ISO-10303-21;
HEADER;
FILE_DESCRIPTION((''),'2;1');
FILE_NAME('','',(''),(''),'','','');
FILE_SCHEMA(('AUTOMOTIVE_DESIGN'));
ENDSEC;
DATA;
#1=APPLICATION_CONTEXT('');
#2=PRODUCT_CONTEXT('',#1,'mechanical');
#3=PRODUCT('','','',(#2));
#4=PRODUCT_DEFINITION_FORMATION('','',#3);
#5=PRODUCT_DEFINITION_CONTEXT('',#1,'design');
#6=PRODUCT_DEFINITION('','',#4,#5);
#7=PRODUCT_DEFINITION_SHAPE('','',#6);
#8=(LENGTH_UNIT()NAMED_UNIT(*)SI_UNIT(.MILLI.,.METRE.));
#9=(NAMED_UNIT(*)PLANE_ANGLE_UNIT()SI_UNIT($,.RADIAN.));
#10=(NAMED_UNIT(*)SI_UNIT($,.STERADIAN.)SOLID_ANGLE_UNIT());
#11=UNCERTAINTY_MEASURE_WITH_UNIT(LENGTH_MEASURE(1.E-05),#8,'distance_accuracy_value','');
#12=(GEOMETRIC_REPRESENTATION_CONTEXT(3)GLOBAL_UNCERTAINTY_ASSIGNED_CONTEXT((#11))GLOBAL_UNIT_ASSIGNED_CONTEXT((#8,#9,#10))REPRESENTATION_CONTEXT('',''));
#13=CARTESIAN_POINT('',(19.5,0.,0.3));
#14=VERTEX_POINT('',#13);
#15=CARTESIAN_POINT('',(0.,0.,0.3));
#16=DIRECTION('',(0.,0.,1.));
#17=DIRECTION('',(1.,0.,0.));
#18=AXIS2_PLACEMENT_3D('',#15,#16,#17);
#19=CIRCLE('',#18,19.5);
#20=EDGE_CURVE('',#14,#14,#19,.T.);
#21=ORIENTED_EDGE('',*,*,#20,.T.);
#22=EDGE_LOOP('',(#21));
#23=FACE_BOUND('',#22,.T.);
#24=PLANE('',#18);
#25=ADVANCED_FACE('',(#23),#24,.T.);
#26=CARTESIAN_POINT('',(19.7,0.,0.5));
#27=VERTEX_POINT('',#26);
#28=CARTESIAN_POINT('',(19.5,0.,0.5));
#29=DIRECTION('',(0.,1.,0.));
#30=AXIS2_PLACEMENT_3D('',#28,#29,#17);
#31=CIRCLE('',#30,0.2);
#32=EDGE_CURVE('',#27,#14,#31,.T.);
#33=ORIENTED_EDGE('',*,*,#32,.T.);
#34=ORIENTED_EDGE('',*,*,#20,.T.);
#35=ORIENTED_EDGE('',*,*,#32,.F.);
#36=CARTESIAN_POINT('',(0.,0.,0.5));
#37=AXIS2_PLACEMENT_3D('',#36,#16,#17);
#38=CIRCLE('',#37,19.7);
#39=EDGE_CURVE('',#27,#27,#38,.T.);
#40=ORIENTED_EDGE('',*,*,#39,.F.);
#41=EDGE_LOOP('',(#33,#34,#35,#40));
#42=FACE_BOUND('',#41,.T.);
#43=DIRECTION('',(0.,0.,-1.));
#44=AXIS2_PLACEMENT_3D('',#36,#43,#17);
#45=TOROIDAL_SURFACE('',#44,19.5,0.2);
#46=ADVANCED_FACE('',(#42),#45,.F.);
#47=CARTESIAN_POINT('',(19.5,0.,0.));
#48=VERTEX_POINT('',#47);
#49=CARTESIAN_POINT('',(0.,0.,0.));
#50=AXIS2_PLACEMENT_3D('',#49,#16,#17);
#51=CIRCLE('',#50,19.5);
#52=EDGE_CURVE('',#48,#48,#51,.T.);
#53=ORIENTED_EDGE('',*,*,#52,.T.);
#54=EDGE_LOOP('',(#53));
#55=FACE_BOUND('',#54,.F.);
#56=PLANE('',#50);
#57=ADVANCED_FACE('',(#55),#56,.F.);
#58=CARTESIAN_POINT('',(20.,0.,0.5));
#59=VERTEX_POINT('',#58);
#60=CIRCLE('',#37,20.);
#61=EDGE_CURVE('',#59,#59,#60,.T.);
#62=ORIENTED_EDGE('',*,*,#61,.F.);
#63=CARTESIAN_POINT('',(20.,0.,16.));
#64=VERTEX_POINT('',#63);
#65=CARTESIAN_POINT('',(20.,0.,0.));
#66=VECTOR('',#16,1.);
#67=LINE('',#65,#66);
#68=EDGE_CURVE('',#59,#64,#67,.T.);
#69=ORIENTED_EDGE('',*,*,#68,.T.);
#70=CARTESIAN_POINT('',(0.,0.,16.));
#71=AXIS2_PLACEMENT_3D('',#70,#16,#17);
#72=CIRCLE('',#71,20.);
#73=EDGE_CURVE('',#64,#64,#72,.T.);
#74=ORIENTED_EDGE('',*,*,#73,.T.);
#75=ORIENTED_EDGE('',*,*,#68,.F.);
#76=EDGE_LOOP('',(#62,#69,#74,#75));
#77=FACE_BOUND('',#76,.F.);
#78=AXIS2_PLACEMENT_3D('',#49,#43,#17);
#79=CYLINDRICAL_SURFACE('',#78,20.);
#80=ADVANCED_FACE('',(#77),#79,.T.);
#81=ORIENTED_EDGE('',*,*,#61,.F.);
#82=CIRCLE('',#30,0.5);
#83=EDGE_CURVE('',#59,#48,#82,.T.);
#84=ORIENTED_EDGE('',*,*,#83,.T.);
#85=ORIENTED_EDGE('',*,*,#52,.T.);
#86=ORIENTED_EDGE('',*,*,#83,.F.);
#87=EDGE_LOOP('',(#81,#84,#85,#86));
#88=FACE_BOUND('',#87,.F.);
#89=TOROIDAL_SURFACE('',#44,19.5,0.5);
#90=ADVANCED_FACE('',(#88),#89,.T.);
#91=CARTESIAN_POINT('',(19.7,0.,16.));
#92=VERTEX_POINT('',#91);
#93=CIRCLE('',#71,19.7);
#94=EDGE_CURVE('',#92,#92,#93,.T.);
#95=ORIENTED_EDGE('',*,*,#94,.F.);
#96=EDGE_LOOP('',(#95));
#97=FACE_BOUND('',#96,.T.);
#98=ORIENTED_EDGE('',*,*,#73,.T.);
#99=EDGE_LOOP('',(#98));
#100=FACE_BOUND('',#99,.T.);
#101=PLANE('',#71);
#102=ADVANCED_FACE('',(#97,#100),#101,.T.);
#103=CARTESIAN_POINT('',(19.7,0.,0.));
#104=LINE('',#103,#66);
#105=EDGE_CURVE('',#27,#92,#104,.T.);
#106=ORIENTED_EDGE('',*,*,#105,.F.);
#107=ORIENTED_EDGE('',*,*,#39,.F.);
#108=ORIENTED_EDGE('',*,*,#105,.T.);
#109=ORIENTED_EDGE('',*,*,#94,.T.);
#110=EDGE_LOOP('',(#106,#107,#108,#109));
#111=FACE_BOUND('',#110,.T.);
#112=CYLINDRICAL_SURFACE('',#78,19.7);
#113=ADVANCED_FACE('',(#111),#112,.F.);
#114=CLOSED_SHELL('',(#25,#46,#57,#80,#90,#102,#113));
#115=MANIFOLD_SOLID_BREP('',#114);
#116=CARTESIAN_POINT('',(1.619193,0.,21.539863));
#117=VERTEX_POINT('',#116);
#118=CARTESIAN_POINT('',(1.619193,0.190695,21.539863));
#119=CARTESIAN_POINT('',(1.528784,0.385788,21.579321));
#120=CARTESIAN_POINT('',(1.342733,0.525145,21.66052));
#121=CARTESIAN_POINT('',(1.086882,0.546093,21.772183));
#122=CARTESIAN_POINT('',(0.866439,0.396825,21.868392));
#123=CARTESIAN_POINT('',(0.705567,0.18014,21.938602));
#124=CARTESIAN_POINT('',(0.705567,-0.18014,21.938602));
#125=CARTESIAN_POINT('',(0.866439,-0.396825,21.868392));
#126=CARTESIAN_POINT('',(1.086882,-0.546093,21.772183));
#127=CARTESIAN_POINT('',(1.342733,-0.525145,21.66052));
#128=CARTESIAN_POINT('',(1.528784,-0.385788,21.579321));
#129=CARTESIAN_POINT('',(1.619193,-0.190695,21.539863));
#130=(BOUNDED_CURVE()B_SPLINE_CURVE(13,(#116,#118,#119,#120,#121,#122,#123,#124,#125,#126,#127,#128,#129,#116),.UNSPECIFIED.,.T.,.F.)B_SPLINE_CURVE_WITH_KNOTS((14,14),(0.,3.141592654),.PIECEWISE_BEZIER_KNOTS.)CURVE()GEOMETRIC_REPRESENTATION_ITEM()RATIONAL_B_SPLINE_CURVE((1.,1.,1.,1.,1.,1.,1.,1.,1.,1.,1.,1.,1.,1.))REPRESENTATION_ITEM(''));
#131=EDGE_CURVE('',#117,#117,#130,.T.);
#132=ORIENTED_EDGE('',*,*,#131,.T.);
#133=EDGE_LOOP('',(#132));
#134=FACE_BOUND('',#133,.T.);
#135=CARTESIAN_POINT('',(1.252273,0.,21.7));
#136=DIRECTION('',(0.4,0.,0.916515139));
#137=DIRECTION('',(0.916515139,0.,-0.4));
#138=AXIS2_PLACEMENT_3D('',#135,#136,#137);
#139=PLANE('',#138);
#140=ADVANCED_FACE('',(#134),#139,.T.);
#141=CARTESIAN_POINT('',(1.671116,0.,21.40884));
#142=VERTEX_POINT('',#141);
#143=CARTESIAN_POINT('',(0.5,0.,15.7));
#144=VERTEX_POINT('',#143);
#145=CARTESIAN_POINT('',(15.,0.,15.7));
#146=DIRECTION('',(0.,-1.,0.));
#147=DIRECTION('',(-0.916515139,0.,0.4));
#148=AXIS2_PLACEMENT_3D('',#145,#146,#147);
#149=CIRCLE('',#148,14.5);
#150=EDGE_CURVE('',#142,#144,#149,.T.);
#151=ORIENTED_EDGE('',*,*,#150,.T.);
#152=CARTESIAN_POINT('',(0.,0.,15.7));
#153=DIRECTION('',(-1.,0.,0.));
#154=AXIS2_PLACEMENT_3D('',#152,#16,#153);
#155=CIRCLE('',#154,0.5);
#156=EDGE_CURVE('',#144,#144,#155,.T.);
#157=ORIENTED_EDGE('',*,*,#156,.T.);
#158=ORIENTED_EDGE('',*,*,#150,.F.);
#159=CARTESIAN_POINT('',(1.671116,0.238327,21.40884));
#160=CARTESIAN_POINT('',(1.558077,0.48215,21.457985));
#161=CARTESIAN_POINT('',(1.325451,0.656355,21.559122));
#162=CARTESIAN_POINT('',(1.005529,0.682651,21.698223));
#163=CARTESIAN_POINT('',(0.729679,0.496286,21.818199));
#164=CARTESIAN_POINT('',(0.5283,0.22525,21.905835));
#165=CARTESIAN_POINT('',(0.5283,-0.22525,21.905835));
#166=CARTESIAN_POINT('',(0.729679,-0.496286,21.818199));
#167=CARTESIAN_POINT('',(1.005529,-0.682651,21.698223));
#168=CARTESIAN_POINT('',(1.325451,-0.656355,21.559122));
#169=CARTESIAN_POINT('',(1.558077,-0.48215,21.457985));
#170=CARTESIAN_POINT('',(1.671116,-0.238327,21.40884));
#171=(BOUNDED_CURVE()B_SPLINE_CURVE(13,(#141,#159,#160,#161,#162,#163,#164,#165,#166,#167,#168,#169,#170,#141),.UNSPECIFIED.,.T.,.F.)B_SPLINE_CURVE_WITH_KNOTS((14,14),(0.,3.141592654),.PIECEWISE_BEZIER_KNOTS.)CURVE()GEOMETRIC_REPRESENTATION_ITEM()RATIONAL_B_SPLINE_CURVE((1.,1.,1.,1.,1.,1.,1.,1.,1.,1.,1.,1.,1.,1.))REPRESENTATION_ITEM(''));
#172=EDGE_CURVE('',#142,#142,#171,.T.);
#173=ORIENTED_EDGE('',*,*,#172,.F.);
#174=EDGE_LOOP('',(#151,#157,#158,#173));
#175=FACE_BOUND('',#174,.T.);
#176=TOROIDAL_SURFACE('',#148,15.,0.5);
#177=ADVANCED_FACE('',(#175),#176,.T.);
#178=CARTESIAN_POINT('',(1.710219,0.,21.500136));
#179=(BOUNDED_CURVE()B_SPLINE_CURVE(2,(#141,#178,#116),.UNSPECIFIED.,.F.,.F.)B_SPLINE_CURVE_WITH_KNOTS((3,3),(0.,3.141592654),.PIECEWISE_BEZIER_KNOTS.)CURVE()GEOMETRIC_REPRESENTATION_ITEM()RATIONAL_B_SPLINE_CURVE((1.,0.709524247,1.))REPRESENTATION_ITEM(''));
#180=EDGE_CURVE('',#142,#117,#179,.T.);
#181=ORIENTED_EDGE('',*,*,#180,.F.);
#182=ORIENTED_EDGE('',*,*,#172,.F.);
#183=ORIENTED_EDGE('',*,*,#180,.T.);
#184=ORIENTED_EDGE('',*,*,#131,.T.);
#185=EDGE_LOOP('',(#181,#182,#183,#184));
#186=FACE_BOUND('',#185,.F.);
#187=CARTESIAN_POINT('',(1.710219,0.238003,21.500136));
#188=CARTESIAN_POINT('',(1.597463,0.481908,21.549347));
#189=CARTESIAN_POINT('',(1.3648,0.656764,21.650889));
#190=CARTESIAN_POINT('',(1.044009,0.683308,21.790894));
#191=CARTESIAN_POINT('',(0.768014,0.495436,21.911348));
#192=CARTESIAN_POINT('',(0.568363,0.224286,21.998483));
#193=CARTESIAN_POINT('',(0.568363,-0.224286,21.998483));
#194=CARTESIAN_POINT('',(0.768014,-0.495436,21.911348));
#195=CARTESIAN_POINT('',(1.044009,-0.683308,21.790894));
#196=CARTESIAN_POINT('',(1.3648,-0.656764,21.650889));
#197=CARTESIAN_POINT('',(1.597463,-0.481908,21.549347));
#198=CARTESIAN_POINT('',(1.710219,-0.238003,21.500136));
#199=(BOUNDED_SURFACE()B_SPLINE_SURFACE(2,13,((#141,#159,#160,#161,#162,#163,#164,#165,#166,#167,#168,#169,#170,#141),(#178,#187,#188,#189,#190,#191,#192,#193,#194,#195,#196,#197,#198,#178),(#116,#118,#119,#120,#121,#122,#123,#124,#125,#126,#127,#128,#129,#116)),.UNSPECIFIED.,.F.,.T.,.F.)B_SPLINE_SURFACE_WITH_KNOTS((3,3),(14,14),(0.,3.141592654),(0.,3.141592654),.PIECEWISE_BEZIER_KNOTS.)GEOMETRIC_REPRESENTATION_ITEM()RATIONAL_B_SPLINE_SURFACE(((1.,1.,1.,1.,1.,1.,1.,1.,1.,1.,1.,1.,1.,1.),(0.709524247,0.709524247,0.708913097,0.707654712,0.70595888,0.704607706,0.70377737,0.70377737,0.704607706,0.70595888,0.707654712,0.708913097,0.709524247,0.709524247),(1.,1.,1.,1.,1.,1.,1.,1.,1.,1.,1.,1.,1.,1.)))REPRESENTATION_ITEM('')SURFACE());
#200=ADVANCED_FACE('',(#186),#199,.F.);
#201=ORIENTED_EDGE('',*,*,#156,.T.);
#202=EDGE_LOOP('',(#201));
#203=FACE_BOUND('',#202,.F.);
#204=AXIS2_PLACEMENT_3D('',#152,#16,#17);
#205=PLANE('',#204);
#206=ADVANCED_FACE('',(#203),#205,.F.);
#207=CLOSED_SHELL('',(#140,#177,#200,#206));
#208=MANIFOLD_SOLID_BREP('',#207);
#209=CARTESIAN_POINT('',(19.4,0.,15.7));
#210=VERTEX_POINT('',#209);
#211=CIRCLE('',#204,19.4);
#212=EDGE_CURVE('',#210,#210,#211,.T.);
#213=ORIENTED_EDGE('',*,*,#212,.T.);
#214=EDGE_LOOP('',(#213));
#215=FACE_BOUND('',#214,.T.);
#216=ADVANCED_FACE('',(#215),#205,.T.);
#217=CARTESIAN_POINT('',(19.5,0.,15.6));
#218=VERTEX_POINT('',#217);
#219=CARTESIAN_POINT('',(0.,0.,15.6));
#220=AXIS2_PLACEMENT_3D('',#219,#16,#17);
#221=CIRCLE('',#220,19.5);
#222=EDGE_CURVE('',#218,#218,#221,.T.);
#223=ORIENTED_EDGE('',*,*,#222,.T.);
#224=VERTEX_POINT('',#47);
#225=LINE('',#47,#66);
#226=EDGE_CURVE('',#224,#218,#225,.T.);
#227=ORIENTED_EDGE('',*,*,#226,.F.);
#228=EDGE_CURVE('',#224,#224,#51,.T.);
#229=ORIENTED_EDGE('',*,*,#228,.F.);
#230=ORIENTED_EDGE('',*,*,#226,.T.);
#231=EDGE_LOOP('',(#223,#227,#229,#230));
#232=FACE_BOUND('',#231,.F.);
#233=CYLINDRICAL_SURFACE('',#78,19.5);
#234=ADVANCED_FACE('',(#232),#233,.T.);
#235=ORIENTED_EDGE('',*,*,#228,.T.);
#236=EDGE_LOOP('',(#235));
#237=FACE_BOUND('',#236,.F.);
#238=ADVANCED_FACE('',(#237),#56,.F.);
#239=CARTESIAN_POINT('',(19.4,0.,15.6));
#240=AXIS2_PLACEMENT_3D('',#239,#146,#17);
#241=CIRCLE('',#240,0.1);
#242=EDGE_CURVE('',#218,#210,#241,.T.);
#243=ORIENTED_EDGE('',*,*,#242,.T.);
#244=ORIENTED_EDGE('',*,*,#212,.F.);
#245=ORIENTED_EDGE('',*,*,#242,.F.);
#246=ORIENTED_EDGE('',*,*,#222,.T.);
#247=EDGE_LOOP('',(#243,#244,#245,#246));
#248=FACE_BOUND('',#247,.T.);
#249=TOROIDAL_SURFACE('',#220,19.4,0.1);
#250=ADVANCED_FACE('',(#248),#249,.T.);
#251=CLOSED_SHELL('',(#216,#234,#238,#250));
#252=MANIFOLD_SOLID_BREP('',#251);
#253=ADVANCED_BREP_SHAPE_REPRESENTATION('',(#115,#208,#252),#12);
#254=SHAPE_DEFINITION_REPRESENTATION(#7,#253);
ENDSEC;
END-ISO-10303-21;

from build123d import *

# Parameters (mm, degrees)
F0_R     = 20
F1_DEPTH = 16
F2_R     = 0.5
F3_T     = -0.3
F4_R     = 19.5
F5_DEPTH = 15.7
F7_R     = 0.5
F9_R     = 0.1
F10_R    = 0.1


with BuildPart() as f1:
    # F0 (on Top) → F1 (new body)
    with BuildSketch(Plane.XY):
        Circle(F0_R)
    extrude(amount=F1_DEPTH)

    # F2
    f2_edges = [f1.edges().sort_by_distance(p)[0] for p in [
        (-20, 0, 0),
    ]]
    fillet(f2_edges, radius=F2_R)

    # F3
    f3_openings = [f1.faces().sort_by_distance(p)[0] for p in [
        (0, 0, 16),
    ]]
    offset(amount=F3_T, openings=f3_openings)


with BuildPart() as f5:
    # F4 (on Top) → F5 (new body)
    with BuildSketch(Plane.XY):
        Circle(F4_R)
    extrude(amount=F5_DEPTH)

    # F10
    f10_edges = [f5.edges().sort_by_distance(p)[0] for p in [
        (-19.5, 0, 15.7),
    ]]
    fillet(f10_edges, radius=F10_R)


with BuildPart() as f8:
    # F8: sweep along a path in F6
    with BuildLine(Plane.XZ) as f8_path:
        ThreePointArc((1.2522729151, 21.7), (0.316405306, 18.7646446553), (0, 15.7))
    # F7 (on face) → F8 (sweep)
    with BuildSketch(Plane.XY.offset(15.7)):
        Circle(F7_R)
    sweep(path=f8_path.line)

    # F9
    f9_edges = [f8.edges().sort_by_distance(p)[0] for p in [
        (0.794015, 0, 21.9),
    ]]
    fillet(f9_edges, radius=F9_R)


solid = Compound([f1.part, f5.part, f8.part])
